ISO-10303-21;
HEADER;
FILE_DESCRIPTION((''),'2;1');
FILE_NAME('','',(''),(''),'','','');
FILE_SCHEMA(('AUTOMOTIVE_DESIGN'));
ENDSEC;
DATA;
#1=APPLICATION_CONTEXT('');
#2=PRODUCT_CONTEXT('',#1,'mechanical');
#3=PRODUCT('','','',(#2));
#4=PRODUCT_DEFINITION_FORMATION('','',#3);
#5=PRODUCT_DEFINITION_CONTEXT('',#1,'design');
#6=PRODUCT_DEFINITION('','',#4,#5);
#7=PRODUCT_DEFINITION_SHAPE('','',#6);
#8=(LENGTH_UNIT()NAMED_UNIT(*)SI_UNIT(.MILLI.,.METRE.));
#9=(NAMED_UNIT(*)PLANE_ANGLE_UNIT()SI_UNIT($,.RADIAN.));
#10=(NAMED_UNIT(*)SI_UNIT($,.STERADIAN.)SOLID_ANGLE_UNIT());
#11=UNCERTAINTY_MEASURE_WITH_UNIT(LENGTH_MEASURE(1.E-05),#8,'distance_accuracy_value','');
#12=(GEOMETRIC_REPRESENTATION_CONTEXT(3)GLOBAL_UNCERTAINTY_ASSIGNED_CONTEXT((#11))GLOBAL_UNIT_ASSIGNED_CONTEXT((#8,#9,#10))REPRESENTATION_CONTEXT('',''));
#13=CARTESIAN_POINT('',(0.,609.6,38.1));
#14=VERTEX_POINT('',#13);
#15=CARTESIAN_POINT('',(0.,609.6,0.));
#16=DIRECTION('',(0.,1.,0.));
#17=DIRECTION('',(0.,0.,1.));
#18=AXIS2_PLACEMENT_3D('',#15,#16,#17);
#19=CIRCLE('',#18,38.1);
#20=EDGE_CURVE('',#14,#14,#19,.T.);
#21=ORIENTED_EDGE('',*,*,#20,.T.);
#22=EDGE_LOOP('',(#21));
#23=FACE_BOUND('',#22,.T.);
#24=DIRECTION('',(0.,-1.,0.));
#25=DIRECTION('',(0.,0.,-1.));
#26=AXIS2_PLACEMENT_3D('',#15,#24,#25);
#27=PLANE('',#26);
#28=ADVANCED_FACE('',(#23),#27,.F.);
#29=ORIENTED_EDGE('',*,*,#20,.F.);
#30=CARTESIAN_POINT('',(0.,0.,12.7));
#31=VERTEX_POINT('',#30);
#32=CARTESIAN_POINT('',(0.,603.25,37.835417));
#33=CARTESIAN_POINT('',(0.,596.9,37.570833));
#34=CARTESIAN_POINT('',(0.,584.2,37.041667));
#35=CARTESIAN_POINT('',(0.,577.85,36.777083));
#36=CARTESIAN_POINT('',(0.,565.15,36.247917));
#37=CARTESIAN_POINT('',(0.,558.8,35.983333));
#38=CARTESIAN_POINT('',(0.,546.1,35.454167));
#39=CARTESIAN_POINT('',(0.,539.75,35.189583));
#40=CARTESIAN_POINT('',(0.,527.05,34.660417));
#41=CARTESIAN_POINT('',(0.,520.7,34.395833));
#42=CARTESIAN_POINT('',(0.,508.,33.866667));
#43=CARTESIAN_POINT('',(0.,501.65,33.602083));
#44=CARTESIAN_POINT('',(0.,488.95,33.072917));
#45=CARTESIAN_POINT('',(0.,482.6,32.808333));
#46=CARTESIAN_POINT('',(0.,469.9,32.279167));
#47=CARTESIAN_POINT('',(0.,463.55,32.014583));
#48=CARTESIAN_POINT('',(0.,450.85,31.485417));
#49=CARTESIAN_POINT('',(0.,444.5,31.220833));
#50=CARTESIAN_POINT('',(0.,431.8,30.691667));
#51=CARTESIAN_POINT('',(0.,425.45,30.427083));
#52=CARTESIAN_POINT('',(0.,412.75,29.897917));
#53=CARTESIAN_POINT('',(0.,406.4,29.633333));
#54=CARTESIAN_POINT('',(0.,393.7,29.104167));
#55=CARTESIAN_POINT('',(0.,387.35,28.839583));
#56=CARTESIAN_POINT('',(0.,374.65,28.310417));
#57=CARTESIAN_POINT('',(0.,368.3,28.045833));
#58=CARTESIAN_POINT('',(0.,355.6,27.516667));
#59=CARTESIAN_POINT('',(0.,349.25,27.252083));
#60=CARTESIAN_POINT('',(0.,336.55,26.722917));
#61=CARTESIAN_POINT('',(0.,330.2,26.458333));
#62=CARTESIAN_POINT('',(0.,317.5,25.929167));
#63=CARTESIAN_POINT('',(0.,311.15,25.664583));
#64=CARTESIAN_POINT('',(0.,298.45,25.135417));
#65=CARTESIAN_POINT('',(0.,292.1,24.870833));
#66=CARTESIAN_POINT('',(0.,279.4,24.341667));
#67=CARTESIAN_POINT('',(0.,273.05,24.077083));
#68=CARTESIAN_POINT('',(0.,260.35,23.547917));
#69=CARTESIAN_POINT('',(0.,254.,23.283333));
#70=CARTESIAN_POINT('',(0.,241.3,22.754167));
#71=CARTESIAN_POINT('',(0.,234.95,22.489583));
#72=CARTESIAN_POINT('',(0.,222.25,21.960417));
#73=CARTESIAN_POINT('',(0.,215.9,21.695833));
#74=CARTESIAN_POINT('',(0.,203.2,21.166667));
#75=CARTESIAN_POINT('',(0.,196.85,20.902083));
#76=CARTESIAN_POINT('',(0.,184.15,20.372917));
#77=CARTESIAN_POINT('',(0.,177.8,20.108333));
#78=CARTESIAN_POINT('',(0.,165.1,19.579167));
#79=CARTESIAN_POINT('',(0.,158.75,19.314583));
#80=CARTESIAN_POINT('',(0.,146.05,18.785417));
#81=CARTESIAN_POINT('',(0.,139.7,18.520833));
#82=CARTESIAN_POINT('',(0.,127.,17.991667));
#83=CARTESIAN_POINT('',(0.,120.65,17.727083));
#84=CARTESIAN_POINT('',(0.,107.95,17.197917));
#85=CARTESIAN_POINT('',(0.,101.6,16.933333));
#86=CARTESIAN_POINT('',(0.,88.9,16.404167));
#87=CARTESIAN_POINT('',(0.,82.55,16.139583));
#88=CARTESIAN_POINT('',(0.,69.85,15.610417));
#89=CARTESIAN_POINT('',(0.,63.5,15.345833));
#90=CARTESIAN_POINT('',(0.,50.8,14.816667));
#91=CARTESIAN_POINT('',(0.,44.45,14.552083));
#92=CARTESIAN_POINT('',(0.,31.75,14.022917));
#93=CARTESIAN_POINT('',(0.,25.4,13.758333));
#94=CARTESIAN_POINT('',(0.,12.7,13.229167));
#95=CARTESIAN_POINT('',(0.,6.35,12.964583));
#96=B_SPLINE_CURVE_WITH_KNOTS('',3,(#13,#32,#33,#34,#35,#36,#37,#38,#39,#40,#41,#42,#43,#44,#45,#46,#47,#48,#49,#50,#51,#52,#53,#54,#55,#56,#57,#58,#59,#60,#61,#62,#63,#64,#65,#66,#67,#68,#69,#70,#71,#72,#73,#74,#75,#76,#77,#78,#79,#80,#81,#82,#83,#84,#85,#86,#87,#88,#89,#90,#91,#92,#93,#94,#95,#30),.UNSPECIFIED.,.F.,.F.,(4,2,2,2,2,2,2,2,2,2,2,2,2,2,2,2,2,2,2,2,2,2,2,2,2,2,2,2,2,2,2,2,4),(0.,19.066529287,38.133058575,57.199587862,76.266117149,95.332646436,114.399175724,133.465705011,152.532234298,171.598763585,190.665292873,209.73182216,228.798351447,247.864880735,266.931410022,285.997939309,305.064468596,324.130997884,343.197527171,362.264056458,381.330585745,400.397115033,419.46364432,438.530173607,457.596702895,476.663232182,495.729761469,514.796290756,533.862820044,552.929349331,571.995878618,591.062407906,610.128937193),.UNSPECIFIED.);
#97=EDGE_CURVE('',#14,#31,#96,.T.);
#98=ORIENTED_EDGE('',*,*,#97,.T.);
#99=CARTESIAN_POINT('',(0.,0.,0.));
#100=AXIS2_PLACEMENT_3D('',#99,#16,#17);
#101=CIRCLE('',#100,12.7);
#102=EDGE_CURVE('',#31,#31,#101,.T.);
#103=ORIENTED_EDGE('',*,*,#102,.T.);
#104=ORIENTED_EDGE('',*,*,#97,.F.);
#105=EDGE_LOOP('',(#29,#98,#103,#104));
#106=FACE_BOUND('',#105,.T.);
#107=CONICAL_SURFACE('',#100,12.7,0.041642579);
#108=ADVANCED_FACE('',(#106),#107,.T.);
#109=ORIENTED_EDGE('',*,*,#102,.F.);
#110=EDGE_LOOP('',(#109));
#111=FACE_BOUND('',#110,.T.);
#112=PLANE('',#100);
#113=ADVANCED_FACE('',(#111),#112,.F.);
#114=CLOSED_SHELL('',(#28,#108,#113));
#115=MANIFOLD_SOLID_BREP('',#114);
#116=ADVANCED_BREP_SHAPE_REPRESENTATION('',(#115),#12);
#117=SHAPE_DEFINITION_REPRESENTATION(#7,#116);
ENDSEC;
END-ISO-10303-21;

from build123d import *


with BuildPart() as part:
    # Sketch1 → Revolve1 (revolve)
    with BuildSketch(Plane.XY, mode=Mode.PRIVATE) as revolve1_sk:
        Polygon((0, 0), (0, 609.6), (38.1, 609.6), (12.7, 0), align=None)
    revolve(revolve1_sk.sketch.rotate(Axis((0, 127, 0), (0, -1, 0)), 90), axis=Axis((0, 127, 0), (0, -1, 0)))


solid = part.part
